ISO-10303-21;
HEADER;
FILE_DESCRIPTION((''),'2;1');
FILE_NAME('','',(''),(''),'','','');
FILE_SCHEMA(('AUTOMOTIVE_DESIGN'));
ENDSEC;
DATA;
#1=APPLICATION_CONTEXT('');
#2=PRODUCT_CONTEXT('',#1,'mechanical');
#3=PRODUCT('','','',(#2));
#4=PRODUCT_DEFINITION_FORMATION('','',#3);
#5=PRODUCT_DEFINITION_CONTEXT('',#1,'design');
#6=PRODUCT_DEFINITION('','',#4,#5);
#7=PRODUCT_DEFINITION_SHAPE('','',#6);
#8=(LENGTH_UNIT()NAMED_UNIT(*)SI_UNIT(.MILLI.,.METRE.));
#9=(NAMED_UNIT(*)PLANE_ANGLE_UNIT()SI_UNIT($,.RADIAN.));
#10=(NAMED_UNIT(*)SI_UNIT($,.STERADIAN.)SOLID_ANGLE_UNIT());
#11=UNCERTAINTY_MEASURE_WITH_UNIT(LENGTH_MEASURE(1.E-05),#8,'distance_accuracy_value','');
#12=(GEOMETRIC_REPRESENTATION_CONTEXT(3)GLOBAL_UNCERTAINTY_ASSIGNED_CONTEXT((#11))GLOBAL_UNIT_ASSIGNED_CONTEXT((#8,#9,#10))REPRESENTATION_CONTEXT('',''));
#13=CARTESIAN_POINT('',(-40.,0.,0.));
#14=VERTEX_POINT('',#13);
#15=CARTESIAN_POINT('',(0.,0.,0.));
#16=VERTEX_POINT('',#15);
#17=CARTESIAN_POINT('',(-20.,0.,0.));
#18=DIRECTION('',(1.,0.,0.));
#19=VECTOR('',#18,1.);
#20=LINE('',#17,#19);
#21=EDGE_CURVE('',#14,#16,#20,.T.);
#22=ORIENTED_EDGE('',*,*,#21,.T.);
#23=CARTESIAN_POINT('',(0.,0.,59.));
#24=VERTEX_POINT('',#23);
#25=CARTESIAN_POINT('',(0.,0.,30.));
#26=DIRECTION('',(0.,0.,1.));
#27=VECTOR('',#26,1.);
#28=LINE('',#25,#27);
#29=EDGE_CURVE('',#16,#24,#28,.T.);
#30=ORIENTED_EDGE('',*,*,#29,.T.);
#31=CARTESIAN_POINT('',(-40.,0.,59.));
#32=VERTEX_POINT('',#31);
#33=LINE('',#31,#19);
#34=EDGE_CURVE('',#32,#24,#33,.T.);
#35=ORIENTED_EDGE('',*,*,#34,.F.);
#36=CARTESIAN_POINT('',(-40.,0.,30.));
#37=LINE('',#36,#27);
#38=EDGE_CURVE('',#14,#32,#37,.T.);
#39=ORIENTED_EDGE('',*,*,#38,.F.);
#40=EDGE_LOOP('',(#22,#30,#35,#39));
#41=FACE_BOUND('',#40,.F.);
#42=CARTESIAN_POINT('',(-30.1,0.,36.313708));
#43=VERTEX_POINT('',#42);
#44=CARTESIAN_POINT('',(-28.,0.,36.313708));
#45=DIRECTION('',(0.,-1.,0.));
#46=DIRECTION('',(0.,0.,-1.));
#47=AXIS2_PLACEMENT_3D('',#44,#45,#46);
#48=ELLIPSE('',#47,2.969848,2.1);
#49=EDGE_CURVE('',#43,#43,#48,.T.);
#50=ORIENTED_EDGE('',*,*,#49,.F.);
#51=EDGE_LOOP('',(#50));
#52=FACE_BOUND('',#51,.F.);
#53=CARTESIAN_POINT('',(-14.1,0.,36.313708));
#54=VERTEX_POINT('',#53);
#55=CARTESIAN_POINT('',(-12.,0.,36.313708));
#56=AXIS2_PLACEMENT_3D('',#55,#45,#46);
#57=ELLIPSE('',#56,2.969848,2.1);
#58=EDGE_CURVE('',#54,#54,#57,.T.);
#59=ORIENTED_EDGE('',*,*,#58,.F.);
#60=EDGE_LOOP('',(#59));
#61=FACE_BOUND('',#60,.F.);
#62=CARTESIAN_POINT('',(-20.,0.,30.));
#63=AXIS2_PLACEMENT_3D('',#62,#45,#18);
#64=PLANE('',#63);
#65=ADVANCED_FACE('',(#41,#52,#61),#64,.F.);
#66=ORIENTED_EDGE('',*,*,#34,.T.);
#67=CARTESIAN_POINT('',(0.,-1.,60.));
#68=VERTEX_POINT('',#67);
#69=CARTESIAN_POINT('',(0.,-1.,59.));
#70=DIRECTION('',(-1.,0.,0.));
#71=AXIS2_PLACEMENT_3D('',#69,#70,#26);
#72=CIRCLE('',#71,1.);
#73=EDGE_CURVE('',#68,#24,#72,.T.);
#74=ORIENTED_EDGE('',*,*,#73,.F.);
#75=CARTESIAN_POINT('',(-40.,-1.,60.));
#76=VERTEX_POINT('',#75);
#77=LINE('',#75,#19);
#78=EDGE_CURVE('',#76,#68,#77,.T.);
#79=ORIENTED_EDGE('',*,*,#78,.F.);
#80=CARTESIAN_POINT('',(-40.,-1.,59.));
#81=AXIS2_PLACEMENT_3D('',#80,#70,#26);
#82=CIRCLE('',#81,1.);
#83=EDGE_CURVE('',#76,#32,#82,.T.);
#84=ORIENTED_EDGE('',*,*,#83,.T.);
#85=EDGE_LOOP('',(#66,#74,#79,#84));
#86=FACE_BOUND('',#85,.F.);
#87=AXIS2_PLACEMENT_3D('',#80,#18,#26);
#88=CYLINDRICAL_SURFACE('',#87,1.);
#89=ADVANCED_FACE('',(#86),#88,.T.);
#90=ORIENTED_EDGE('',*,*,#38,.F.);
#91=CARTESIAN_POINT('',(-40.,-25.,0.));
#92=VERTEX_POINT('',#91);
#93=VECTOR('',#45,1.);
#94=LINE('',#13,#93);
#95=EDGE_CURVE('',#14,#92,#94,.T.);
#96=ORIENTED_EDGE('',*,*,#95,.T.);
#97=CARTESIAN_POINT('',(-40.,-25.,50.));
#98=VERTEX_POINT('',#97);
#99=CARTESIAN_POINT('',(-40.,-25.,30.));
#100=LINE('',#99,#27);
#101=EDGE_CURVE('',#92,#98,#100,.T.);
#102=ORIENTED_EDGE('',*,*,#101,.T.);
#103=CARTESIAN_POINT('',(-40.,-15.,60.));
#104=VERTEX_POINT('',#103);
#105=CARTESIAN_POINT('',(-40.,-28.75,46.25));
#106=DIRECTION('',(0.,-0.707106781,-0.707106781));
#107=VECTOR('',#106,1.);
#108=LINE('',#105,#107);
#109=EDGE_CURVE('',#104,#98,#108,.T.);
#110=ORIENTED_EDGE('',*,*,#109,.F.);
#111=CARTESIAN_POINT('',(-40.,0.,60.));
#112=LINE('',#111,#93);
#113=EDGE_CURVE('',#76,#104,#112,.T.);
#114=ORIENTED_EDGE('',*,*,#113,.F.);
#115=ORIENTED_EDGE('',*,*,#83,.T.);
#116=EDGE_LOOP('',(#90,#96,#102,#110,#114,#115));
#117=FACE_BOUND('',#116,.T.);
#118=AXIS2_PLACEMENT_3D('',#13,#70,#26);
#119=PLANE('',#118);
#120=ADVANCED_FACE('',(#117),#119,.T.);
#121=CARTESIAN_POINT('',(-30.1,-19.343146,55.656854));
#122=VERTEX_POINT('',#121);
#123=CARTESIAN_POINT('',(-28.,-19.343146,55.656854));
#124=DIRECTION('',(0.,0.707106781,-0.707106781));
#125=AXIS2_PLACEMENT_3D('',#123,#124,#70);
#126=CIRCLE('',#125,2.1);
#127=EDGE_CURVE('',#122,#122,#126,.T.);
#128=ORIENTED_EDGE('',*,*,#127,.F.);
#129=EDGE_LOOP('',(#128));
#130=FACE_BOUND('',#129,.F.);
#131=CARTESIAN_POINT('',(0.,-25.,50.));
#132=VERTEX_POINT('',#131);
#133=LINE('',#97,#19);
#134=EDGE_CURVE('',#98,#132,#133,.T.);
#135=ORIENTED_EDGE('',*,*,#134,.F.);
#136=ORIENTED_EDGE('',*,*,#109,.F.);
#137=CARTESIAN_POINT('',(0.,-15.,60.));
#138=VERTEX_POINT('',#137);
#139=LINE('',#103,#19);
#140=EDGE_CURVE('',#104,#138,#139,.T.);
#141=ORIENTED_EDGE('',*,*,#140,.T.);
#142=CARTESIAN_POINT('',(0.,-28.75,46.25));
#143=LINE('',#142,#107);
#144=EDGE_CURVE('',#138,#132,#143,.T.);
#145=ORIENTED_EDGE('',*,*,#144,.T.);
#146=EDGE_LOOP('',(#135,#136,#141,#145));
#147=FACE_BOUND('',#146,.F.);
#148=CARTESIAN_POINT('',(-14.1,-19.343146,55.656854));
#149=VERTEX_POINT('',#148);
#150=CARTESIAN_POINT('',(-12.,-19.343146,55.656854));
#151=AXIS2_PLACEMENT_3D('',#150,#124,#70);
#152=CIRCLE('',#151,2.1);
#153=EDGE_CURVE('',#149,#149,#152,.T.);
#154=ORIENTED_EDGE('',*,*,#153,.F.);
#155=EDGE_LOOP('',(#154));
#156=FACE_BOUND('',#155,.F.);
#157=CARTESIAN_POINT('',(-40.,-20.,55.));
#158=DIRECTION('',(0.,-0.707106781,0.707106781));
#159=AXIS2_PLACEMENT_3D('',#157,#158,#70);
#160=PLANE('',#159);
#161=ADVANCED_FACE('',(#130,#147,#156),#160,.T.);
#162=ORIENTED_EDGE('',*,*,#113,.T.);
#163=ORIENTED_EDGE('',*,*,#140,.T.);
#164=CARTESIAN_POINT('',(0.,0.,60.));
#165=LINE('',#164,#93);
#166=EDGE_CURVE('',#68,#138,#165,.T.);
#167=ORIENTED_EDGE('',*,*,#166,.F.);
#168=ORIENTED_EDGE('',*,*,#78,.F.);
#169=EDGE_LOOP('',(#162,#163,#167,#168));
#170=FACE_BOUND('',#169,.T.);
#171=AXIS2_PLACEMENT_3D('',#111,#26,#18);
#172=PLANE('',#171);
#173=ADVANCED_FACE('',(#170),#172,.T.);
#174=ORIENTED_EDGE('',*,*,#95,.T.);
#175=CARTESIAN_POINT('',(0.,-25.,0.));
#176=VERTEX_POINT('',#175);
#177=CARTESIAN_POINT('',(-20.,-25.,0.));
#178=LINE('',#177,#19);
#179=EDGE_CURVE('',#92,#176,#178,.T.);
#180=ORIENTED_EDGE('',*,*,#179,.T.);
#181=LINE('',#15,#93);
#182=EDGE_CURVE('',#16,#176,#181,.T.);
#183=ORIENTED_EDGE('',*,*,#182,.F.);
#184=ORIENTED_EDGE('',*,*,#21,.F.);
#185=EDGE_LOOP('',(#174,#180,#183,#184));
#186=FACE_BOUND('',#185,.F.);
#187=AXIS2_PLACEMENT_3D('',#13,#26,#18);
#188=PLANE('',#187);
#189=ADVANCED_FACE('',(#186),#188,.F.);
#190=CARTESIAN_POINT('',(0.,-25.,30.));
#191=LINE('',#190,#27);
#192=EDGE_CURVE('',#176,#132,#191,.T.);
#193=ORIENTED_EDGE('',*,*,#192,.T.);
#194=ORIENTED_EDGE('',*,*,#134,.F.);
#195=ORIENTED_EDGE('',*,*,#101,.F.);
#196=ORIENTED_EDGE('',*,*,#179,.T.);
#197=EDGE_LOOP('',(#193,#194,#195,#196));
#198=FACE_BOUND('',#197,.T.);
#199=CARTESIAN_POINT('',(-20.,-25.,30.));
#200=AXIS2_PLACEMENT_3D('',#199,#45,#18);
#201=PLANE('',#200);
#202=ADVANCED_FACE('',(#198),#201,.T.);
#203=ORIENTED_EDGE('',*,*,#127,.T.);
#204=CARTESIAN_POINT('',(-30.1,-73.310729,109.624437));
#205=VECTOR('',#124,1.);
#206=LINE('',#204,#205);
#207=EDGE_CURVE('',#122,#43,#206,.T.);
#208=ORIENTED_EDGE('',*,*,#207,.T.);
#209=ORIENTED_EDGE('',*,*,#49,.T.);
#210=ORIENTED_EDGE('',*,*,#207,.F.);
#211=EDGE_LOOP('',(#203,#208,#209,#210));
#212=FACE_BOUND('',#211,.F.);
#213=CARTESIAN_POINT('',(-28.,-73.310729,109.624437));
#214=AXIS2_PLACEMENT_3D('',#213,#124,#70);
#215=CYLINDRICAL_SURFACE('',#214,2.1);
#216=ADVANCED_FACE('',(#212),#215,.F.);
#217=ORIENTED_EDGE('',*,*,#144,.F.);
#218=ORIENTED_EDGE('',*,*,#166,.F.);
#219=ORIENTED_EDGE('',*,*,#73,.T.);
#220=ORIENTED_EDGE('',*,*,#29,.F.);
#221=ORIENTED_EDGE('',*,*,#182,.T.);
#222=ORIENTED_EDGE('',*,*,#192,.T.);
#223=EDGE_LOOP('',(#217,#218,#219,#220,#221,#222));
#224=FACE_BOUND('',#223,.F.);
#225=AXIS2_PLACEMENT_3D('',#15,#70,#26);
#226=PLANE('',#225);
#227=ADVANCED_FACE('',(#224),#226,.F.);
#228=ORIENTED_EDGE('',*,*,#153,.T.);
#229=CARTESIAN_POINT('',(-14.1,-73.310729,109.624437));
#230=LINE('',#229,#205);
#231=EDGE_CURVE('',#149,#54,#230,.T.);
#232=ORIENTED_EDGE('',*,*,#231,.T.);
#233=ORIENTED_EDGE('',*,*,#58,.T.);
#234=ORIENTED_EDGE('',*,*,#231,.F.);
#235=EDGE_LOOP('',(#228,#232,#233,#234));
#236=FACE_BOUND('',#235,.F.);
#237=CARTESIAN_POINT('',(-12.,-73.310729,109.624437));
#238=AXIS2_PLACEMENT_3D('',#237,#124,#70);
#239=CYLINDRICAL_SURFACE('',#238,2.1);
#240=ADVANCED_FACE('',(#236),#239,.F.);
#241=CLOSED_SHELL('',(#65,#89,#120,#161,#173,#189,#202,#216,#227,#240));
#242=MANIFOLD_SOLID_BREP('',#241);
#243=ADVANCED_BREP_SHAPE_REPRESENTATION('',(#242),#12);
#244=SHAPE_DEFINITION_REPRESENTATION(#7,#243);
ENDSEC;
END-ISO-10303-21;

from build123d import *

# Parameters (mm, degrees)
F0_W     = 40
F0_H     = 60
F1_DEPTH = 25
F2_SIZE  = 10
F4_D     = 4.2
F5_R     = 1


with BuildPart() as f1:
    # F0 (on Front) → F1 (new body)
    with BuildSketch(Plane.XZ):
        with Locations((-20, 30)):
            Rectangle(F0_W, F0_H)
    extrude(amount=F1_DEPTH)

    # F2
    f2_edges = [f1.edges().sort_by_distance(p)[0] for p in [
        (-20, -25, 60),
    ]]
    chamfer(f2_edges, length=F2_SIZE)

    # F4 (through all)
    with Locations(Plane(origin=(0, -37.5, 37.5), x_dir=(1, 0, 0), z_dir=(0, -0.7071067812, 0.7071067812))):
        with Locations((-12, 25.6776695297), (-28, 25.6776695297)):
            Hole(F4_D / 2)

    # F5
    f5_edges = [f1.edges().sort_by_distance(p)[0] for p in [
        (-20, 0, 60),
    ]]
    fillet(f5_edges, radius=F5_R)


solid = f1.part
